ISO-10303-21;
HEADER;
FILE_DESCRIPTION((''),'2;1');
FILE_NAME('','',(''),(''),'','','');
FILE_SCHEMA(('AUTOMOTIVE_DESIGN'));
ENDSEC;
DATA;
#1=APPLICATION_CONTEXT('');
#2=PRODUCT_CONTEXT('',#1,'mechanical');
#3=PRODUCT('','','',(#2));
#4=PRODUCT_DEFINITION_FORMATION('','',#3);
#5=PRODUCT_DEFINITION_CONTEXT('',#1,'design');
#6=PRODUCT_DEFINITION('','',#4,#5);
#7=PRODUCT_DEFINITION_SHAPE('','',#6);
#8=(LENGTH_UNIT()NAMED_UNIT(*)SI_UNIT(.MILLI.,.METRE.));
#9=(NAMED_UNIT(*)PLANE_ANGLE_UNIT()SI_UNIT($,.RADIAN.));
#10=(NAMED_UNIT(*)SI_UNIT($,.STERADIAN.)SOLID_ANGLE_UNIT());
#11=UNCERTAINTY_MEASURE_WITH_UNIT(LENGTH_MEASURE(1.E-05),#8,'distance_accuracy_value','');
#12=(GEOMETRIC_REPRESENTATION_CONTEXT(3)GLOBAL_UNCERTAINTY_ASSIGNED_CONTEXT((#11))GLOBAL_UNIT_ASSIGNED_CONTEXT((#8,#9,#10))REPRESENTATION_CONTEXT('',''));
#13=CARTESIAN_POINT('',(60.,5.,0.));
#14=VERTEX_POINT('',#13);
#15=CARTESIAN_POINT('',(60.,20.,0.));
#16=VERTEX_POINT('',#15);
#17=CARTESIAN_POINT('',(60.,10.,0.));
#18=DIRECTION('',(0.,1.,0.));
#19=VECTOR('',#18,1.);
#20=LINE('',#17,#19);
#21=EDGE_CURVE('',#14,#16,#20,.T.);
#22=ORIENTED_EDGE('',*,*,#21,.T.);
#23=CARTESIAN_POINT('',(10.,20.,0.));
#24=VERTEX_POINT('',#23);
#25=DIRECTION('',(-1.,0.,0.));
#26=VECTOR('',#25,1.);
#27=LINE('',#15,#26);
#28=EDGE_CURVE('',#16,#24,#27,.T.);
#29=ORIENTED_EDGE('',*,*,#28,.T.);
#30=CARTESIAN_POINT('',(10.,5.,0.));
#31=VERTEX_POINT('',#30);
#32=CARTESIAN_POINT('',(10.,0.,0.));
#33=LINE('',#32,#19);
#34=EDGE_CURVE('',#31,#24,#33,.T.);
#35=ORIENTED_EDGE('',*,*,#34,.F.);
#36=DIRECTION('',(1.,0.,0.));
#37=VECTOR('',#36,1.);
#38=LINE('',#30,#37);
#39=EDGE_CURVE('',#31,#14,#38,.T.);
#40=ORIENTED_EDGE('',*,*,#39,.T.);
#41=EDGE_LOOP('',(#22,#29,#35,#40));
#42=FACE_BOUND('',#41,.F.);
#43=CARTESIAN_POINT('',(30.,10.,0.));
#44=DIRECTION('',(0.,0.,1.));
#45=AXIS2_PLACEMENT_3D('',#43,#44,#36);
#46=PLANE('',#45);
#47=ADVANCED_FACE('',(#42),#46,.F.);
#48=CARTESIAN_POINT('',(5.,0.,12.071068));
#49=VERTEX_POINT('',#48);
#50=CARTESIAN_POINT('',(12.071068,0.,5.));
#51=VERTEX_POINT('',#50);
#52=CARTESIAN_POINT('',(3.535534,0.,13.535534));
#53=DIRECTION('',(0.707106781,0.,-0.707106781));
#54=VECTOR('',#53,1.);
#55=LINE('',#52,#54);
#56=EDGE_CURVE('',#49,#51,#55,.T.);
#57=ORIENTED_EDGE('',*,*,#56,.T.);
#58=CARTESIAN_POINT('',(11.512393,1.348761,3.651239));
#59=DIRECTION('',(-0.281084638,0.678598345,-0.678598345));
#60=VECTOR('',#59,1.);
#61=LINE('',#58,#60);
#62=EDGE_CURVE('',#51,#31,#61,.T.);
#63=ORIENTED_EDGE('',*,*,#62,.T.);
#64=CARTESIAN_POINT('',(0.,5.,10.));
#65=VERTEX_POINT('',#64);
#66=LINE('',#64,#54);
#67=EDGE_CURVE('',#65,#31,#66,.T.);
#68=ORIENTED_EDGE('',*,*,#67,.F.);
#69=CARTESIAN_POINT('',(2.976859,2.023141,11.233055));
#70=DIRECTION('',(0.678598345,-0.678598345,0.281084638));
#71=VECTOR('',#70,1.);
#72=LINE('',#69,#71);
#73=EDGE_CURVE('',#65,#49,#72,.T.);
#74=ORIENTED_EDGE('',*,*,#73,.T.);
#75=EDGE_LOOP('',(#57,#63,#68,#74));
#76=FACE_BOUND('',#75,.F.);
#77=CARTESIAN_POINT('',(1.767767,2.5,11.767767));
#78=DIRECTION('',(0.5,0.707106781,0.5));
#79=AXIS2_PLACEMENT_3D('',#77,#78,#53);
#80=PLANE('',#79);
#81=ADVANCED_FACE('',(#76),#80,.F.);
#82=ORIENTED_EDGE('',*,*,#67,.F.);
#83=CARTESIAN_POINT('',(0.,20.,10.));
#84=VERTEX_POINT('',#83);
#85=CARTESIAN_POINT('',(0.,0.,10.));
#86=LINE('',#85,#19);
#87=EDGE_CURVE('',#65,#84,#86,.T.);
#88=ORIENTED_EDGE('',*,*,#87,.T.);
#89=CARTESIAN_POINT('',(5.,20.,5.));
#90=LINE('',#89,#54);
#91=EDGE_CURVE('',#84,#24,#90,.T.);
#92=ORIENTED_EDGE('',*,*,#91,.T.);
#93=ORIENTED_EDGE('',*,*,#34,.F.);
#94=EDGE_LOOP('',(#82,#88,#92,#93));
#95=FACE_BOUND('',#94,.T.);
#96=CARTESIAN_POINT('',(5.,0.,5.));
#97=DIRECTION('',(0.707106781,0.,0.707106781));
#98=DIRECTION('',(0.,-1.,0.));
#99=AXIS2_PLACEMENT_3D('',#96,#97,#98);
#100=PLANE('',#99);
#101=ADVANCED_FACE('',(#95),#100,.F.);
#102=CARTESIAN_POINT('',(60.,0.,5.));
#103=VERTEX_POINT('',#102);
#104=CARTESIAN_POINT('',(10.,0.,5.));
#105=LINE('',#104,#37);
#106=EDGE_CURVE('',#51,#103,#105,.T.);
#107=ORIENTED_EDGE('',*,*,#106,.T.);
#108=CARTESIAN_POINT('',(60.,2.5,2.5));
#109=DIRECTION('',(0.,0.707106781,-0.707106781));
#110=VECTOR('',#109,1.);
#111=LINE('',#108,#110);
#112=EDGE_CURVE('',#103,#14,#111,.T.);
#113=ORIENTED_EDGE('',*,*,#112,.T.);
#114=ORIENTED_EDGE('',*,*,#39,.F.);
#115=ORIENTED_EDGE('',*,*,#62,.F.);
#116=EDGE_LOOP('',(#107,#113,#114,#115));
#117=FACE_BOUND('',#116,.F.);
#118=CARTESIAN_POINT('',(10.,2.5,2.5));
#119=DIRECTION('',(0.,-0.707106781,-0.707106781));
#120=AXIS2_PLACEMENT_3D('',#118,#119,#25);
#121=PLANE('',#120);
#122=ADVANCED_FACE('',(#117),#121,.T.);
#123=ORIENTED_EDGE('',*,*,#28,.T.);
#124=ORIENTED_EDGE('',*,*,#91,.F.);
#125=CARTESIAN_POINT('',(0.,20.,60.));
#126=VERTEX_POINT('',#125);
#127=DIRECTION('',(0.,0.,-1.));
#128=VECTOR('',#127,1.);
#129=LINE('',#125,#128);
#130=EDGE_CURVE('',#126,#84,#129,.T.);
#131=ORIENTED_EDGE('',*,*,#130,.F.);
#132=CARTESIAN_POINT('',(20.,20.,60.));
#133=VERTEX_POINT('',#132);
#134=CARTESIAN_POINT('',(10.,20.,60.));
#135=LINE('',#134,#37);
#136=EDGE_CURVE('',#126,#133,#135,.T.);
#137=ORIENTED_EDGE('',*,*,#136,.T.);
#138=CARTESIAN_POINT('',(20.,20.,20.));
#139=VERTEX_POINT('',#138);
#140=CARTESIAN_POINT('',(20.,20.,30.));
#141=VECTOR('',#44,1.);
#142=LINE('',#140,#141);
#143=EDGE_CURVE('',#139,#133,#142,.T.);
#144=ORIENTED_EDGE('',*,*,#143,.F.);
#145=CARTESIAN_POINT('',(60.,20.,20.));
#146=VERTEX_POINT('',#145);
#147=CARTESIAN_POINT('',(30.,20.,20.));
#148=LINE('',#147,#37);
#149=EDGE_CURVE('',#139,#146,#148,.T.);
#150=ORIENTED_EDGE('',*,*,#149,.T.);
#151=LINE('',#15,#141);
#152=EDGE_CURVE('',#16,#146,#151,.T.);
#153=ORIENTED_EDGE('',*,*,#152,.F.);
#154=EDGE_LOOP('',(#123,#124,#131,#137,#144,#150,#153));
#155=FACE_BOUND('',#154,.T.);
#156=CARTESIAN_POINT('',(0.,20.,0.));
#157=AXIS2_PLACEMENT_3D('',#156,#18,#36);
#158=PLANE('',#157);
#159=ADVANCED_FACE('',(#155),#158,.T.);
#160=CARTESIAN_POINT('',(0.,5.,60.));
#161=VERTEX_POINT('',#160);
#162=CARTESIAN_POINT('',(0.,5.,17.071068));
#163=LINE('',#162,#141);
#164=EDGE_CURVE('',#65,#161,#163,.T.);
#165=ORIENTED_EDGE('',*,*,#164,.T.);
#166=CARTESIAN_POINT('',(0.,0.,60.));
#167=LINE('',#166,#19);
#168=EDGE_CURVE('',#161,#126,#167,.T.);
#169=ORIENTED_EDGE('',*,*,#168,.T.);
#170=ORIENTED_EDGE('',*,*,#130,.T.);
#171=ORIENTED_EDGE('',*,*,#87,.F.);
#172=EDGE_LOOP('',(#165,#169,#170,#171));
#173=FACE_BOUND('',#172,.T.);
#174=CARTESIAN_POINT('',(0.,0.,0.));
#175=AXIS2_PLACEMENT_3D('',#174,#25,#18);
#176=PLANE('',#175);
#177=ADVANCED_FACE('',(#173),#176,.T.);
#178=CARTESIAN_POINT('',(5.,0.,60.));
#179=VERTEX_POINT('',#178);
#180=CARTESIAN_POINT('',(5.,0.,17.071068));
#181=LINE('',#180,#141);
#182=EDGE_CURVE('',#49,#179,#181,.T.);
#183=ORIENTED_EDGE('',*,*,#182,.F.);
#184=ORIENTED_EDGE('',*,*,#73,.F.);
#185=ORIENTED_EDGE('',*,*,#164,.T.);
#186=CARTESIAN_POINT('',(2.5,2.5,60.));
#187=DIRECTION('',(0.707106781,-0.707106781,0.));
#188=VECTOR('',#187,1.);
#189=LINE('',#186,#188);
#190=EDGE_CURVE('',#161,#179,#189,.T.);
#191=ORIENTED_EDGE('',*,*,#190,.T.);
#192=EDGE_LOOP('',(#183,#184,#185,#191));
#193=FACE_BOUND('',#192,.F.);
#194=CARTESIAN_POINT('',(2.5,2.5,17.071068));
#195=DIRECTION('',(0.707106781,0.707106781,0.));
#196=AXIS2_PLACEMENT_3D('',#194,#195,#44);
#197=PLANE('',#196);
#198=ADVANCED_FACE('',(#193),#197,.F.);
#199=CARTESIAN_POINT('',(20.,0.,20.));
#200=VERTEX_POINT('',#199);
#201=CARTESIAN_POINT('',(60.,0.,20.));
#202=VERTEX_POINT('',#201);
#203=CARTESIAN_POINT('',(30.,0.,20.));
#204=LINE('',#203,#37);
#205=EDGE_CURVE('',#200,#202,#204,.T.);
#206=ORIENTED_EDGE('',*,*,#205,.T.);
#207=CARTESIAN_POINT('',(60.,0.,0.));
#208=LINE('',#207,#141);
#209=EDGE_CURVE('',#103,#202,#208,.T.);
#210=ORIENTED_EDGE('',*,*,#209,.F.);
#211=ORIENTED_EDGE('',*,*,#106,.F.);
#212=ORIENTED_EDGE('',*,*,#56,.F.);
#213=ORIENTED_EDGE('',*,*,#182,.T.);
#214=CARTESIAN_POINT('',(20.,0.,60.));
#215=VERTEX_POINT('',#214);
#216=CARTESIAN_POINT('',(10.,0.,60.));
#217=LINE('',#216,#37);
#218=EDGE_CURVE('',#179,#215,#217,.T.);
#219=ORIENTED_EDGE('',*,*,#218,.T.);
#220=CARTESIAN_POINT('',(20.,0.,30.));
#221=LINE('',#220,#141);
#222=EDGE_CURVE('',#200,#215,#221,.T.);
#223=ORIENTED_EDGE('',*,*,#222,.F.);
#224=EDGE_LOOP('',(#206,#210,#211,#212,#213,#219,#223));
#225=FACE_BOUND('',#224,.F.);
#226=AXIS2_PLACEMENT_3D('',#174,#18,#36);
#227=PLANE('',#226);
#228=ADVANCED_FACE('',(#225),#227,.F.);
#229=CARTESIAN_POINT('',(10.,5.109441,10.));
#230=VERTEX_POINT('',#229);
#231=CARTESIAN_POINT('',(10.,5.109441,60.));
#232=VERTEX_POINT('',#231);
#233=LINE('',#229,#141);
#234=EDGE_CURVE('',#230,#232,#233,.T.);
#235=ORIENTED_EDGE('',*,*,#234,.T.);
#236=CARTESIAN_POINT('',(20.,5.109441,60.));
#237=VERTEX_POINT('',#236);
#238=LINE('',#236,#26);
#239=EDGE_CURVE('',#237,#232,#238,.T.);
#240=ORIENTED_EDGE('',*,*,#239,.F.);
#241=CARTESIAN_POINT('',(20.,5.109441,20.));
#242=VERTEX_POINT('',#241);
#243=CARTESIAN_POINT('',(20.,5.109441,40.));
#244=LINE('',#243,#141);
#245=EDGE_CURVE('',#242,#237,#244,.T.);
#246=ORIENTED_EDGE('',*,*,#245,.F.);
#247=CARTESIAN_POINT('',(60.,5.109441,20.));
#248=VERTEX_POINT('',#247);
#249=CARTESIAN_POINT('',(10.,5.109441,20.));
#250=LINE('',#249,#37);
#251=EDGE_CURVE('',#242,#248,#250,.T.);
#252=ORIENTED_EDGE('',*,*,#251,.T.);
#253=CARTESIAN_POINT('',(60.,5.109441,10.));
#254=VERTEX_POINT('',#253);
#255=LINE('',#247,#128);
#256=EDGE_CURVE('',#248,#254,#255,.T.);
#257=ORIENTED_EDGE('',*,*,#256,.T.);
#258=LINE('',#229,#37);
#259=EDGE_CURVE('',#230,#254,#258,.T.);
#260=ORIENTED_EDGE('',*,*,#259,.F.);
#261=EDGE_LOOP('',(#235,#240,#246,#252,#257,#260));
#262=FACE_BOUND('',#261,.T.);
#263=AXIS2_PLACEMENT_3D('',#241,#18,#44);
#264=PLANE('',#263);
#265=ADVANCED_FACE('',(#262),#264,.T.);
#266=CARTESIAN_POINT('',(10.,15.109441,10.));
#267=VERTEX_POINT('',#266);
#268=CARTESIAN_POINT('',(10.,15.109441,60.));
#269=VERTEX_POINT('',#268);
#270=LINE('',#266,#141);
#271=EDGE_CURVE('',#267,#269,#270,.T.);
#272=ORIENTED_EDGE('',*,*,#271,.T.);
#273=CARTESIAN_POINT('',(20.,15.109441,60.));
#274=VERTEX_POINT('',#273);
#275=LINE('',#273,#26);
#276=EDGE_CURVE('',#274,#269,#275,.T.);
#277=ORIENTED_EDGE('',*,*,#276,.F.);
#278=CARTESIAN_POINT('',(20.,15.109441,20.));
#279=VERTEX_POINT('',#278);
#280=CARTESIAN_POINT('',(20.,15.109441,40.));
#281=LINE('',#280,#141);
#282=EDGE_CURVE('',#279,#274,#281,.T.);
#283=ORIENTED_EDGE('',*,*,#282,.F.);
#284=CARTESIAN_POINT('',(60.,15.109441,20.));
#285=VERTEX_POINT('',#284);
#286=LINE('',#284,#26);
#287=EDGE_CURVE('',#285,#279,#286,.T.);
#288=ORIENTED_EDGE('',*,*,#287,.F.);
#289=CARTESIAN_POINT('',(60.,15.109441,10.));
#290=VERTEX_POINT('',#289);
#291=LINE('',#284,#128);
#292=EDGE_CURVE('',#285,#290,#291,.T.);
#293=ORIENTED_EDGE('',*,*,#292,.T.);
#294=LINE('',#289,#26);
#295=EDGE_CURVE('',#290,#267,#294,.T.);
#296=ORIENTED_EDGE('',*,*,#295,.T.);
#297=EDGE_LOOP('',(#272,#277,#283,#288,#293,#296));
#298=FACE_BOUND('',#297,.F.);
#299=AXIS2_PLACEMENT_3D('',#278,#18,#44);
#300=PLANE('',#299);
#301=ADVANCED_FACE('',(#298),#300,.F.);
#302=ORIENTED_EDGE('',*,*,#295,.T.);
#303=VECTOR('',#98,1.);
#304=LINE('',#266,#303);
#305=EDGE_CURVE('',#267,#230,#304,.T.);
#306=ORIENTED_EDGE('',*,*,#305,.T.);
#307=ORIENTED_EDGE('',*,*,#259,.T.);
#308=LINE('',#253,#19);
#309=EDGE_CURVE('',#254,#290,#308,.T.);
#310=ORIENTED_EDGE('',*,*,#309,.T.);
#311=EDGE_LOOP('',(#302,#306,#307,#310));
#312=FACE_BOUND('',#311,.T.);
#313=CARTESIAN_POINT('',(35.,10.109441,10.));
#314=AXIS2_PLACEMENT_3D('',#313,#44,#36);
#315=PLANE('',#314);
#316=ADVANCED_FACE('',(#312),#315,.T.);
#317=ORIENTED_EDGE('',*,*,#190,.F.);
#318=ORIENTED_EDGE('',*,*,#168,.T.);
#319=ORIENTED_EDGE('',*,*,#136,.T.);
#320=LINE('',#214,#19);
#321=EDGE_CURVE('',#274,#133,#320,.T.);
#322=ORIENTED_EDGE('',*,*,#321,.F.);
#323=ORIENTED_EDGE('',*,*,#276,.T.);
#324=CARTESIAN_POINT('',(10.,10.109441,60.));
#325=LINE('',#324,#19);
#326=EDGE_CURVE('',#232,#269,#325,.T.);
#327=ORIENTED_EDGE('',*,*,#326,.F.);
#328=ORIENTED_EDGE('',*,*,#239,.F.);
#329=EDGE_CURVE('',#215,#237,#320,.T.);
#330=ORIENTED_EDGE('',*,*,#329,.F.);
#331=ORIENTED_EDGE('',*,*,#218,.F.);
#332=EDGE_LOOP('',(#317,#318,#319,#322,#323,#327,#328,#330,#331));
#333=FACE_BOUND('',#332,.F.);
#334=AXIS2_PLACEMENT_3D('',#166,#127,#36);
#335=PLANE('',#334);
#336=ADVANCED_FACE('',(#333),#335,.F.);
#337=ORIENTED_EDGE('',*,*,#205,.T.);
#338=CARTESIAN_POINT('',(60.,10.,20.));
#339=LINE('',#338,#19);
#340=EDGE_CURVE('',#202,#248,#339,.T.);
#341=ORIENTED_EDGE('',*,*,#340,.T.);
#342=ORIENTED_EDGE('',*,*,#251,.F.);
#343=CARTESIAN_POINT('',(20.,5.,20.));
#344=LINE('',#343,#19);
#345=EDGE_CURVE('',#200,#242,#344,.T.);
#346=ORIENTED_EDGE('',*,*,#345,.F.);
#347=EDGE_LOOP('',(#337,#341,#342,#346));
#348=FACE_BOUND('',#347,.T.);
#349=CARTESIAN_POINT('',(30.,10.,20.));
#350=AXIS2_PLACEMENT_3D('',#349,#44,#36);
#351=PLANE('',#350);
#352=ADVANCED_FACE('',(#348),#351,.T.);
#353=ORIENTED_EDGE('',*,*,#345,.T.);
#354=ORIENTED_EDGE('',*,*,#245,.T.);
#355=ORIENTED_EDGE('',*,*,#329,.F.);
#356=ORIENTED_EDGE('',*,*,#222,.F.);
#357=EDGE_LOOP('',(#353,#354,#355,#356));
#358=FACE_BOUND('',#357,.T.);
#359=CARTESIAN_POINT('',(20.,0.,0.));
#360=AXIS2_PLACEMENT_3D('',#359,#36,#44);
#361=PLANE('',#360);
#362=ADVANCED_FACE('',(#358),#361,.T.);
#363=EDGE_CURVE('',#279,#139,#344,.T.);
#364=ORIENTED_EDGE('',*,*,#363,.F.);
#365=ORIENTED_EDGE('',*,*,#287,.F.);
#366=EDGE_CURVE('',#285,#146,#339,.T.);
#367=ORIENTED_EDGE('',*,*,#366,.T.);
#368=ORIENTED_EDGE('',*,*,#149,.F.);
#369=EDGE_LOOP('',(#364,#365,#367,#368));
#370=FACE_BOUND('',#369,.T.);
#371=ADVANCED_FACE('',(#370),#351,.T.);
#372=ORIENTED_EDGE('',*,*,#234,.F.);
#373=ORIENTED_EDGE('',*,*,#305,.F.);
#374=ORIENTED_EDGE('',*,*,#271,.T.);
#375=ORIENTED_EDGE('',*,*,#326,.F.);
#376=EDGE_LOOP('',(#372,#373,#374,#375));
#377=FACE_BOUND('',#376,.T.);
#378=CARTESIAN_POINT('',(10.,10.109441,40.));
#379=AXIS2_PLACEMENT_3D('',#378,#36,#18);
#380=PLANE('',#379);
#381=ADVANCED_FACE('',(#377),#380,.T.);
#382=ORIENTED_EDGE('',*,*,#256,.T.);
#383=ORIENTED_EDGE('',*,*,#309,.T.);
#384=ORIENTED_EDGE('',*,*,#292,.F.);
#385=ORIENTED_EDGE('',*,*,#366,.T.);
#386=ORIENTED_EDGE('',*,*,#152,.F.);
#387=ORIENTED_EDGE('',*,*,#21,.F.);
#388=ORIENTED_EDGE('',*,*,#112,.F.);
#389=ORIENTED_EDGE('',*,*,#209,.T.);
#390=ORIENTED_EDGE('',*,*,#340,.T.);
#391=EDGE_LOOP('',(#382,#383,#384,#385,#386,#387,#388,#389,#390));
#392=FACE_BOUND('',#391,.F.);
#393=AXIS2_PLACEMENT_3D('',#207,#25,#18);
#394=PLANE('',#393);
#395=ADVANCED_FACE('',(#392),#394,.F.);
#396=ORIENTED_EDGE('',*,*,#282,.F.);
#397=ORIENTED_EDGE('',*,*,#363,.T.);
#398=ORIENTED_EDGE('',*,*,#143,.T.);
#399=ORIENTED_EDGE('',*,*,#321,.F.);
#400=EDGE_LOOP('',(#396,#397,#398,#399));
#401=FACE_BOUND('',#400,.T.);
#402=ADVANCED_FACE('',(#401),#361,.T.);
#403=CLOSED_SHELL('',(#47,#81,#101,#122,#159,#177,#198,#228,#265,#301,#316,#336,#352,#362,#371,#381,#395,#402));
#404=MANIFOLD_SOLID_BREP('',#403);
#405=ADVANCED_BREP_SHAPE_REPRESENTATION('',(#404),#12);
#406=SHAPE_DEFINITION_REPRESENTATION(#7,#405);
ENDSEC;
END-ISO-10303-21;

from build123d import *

# Parameters (mm, degrees)
F0_W     = 60
F0_H     = 20
F1_DEPTH = 20
F2_W     = 20
F2_H     = 60
F3_DEPTH = 20
F4_W     = 10
F4_H     = 40
F5_DEPTH = 10
F7_DEPTH = 10
F8_SIZE  = 10
F9_SIZE  = 5
F10_SIZE = 5


with BuildPart() as f1:
    # F0 (on Top) → F1 (new body)
    with BuildSketch(Plane.XY):
        with Locations((30, 10)):
            Rectangle(F0_W, F0_H)
    extrude(amount=F1_DEPTH)

    # F2 (on Front) → F3 (join)
    with BuildSketch(Plane.XZ):
        with Locations((10, 30)):
            Rectangle(F2_W, F2_H)
    extrude(amount=-F3_DEPTH)

    # F4 (on face) → F5 (cut)
    with BuildSketch(Plane.YZ.offset(20)):
        with Locations((10.1094414666, 40)):
            Rectangle(F4_W, F4_H)
    extrude(amount=-F5_DEPTH, mode=Mode.SUBTRACT)

    # F6 (on face) → F7 (cut)
    with BuildSketch(Plane.XY.offset(20)):
        Polygon((20, 15.1094414666), (10, 15.1094414666), (10, 5.1094414666), (20, 5.1094414666), (60, 5.1094414666), (60, 15.1094414666), align=None)
    extrude(amount=-F7_DEPTH, mode=Mode.SUBTRACT)

    # F8
    f8_edges = [f1.edges().sort_by_distance(p)[0] for p in [
        (0, 10, 0),
    ]]
    chamfer(f8_edges, length=F8_SIZE)

    # F9
    f9_edges = [f1.edges().sort_by_distance(p)[0] for p in [
        (35, 0, 0),
        (5, 0, 5),
    ]]
    chamfer(f9_edges, length=F9_SIZE)

    # F10
    f10_edges = [f1.edges().sort_by_distance(p)[0] for p in [
        (0, 0, 38.535534),
    ]]
    chamfer(f10_edges, length=F10_SIZE)


solid = f1.part
